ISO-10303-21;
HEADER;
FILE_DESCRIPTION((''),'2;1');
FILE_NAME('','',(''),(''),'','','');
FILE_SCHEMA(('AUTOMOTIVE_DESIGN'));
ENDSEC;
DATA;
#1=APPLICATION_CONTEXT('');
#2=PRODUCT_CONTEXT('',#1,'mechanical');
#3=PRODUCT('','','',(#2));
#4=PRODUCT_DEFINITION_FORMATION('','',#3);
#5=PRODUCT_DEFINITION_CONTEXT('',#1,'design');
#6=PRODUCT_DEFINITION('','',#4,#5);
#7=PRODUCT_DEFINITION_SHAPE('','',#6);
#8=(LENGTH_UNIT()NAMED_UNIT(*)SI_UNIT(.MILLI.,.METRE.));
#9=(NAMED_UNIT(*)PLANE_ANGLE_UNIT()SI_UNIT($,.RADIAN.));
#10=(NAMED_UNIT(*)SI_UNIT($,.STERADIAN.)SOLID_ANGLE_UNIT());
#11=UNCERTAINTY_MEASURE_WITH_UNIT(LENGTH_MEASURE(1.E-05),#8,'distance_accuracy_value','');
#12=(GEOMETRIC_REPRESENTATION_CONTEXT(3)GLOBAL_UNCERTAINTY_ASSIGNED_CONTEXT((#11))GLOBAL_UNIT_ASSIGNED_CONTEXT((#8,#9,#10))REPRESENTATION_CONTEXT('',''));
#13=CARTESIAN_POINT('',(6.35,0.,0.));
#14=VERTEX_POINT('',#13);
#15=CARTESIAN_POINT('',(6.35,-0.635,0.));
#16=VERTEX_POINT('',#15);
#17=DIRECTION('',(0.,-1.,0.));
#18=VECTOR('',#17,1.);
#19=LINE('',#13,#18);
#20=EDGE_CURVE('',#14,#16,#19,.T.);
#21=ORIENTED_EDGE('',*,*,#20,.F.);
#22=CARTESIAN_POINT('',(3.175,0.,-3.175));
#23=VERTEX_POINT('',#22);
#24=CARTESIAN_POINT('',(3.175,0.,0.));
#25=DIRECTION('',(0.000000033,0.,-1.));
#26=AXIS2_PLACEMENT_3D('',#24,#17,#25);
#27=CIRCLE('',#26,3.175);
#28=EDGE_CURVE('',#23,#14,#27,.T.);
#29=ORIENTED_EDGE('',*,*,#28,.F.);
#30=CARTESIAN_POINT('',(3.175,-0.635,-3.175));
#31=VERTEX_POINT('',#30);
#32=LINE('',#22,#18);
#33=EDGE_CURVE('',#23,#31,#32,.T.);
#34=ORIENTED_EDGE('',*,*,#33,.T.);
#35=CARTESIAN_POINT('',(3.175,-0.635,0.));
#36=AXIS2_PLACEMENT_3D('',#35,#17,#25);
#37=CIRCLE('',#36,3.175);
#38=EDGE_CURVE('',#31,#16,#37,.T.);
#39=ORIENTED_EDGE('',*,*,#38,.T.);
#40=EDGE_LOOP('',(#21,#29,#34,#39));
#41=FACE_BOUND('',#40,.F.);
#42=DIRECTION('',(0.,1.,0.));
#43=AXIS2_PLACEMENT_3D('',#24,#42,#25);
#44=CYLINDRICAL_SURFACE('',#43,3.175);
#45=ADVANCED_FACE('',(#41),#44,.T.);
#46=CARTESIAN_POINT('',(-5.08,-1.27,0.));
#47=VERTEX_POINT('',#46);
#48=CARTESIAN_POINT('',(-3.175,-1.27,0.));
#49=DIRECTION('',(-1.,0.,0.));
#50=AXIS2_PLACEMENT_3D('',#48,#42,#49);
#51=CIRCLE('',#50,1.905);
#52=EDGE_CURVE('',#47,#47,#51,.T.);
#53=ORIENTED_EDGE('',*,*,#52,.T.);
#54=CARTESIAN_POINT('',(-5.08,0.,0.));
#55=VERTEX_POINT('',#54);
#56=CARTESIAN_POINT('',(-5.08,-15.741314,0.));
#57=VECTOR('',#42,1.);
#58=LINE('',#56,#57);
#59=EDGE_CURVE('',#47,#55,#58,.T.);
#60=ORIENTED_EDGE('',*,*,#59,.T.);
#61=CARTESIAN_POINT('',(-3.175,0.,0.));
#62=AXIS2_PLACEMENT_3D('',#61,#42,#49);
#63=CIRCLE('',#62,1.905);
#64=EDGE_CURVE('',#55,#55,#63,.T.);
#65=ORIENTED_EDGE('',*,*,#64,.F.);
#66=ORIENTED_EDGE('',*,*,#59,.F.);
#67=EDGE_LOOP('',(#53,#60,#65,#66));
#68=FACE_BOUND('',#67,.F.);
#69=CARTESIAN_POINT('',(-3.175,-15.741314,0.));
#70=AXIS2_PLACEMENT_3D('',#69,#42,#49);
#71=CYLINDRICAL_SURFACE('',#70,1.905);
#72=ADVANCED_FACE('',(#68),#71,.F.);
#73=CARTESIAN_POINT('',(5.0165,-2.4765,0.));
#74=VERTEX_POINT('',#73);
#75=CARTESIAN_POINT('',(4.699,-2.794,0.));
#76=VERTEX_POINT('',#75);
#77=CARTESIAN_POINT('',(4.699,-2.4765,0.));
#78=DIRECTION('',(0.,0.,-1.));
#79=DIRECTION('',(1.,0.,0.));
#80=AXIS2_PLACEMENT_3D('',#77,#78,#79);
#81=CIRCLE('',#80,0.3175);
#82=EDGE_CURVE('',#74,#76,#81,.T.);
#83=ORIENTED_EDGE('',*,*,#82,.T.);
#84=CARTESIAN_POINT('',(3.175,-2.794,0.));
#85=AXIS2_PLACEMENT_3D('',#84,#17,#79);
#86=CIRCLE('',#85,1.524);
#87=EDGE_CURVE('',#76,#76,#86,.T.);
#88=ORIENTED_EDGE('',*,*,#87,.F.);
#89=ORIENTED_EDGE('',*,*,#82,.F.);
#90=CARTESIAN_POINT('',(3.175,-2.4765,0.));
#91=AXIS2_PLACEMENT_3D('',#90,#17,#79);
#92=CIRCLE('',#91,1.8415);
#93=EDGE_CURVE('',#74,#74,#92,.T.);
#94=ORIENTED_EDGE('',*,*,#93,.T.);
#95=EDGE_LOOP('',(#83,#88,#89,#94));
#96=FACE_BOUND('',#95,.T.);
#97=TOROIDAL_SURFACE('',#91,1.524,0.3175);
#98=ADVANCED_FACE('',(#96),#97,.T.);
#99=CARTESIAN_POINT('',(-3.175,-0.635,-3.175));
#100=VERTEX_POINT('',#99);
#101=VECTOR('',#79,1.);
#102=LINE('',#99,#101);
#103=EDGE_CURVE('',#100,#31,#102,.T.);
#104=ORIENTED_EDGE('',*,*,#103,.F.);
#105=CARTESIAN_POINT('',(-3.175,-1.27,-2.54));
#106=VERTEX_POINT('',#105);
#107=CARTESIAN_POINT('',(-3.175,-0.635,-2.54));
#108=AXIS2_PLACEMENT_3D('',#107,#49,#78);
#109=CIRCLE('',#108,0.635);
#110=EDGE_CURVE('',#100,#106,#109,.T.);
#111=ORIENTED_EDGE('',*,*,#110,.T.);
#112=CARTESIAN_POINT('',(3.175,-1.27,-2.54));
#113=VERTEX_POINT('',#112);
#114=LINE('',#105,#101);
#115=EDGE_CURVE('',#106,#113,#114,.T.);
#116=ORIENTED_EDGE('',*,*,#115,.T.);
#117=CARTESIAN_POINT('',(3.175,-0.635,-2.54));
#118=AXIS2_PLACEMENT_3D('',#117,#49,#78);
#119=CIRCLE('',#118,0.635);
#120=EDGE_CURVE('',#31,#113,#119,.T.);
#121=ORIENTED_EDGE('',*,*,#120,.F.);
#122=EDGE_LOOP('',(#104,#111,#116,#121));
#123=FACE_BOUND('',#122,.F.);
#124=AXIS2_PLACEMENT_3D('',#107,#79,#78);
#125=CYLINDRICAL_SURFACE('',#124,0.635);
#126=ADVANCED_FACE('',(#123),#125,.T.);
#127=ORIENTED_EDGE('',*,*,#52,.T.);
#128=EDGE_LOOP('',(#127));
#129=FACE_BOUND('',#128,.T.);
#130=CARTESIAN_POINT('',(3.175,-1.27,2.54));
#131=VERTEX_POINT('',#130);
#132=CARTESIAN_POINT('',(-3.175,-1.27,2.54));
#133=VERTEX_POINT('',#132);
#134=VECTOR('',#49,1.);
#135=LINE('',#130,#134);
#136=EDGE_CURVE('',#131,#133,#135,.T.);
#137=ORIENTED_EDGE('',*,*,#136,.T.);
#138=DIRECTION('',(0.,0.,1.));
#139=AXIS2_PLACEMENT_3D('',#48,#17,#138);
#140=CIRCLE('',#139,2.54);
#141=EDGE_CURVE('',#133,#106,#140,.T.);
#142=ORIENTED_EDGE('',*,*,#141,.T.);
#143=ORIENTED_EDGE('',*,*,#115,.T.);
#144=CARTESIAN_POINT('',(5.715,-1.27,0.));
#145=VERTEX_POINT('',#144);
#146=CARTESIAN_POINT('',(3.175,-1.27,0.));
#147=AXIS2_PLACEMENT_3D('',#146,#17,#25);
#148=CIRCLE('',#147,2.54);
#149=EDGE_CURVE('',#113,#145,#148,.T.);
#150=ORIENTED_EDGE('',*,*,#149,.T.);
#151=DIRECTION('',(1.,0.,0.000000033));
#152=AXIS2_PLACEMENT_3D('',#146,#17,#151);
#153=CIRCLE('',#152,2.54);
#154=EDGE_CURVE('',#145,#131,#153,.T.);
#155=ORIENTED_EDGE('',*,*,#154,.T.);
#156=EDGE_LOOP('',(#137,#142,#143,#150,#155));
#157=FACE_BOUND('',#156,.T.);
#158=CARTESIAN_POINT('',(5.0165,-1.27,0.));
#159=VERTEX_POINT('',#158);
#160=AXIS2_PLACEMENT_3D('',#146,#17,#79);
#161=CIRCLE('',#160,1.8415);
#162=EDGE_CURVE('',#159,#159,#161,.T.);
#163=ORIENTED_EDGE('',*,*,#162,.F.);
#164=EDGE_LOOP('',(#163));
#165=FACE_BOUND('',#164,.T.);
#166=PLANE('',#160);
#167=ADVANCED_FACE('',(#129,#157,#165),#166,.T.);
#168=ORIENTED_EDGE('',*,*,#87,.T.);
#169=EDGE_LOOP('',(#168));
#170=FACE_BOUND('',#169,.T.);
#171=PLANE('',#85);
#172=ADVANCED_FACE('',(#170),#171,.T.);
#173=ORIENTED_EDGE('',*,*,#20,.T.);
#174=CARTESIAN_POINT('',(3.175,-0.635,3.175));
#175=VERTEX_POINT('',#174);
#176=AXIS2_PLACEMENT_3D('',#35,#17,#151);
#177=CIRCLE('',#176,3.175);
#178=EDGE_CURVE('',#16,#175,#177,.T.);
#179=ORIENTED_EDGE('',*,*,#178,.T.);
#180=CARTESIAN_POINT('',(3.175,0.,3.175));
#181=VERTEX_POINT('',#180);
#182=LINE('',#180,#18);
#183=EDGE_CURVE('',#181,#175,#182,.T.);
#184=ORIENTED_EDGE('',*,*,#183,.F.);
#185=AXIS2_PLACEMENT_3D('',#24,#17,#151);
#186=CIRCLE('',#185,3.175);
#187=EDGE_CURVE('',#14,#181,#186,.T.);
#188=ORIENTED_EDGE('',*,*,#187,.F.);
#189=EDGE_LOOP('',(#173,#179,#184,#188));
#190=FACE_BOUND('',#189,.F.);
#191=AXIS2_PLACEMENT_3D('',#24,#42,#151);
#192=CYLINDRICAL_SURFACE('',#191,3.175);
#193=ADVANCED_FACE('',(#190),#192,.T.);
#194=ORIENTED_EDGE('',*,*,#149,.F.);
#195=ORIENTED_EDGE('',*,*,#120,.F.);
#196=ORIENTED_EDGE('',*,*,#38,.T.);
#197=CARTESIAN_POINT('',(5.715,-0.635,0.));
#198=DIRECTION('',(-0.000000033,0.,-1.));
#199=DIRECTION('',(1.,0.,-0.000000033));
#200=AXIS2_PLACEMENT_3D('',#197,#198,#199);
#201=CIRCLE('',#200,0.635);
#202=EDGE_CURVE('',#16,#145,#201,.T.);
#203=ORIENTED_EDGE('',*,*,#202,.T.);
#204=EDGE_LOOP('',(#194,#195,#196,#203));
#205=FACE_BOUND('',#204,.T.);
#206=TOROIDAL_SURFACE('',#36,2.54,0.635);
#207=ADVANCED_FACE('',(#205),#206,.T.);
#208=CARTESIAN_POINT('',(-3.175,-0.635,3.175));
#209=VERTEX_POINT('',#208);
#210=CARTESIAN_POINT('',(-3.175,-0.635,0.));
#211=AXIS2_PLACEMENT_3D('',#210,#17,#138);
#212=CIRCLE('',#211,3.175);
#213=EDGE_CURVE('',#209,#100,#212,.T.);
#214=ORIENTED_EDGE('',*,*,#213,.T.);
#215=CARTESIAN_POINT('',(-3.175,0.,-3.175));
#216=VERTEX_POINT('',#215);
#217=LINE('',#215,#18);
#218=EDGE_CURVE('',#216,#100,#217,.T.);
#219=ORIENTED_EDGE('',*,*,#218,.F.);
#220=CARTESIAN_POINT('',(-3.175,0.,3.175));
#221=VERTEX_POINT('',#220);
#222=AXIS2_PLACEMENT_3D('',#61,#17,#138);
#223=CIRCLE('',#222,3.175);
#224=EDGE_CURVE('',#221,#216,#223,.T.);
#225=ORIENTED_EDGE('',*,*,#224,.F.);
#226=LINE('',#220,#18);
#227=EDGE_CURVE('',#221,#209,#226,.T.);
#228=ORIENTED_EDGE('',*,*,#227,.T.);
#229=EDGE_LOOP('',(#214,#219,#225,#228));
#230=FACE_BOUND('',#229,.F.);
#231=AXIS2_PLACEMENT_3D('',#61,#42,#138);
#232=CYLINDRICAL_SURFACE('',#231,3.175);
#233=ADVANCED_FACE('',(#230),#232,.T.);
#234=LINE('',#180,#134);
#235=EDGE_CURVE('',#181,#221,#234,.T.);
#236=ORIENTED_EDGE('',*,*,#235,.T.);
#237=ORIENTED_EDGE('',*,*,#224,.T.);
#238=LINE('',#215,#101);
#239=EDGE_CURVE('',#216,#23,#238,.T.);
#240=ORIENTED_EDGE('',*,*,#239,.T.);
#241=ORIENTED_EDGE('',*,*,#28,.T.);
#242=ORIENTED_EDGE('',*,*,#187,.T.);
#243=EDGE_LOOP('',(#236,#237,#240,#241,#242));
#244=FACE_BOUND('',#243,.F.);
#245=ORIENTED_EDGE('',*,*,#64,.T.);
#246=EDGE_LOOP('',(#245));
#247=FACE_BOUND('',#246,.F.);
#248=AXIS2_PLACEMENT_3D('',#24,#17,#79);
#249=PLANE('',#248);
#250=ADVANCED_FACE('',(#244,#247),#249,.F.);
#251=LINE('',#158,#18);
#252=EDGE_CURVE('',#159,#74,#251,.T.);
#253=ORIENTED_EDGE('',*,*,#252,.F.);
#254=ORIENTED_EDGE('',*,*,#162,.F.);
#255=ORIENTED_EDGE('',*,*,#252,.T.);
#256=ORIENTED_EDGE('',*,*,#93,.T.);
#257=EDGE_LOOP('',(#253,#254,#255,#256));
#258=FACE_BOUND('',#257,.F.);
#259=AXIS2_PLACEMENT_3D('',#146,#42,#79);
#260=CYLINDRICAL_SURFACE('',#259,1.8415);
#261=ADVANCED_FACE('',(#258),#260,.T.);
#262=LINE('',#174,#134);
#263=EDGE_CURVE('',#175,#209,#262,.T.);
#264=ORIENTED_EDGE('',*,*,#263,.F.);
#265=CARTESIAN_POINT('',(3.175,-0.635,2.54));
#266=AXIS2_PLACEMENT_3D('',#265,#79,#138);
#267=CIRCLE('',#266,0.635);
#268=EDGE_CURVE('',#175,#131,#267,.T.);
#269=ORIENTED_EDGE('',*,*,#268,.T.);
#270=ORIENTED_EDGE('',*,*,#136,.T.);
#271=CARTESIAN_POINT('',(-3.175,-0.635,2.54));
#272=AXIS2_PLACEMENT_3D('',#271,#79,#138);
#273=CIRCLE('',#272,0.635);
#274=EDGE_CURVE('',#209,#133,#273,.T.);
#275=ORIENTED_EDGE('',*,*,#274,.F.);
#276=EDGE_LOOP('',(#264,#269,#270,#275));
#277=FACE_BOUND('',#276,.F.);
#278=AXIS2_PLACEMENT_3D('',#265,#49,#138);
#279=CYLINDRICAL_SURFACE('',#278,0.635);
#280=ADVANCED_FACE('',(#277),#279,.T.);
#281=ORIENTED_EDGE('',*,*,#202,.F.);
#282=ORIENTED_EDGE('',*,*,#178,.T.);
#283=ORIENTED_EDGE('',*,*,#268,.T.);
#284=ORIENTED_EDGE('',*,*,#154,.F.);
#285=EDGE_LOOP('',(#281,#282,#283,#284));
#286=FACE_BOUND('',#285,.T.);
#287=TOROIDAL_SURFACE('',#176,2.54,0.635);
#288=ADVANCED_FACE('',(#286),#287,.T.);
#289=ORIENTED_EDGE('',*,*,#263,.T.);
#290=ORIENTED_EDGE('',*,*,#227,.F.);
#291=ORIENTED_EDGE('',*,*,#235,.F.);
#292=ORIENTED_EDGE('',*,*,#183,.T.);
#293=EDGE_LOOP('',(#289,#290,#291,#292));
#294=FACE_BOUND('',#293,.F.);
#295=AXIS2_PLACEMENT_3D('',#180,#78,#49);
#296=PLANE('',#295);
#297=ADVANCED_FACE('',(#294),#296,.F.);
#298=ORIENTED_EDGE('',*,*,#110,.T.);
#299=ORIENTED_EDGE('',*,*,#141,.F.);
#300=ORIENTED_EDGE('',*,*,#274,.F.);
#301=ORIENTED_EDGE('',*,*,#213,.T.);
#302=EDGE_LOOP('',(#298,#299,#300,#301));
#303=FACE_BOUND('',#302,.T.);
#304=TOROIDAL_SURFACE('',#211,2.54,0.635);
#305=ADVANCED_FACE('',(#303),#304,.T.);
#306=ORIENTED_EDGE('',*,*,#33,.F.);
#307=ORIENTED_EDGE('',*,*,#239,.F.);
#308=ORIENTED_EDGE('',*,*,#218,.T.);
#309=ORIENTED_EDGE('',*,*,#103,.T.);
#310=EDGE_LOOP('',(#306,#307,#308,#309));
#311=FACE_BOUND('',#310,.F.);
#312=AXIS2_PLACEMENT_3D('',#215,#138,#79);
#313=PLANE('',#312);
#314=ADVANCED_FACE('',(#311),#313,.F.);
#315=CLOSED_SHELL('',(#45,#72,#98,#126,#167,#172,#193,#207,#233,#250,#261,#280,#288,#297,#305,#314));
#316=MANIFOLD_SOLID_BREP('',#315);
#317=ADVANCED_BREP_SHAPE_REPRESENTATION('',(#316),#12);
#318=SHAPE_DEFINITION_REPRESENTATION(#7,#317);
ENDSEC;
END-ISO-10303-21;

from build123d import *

# Parameters (mm, degrees)
F1_DEPTH = 1.27
F2_R     = 0.635
F4_R     = 1.8415
F5_DEPTH = 1.524
F7_D     = 3.81
F8_R     = 0.3175


with BuildPart() as f1:
    # F0 (on Front) → F1 (new body)
    with BuildSketch(Plane.XZ):
        with BuildLine():
            ThreePointArc((3.175, 3.175), (0.929936, 2.245064), (0, 0))
            ThreePointArc((0, 0), (0.929936, -2.245064), (3.175, -3.175))
            ThreePointArc((3.175, -3.175), (5.420064, -2.245064), (6.35, 0))
            ThreePointArc((6.35, 0), (5.420064, 2.245064), (3.175, 3.175))
        make_face()
        with BuildLine():
            ThreePointArc((3.175, -3.175), (0.929936, -2.245064), (0, 0))
            ThreePointArc((0, 0), (-0.929936, -2.245064), (-3.175, -3.175))
            Line((-3.175, -3.175), (3.175, -3.175))
        make_face()
        with BuildLine():
            ThreePointArc((-3.175, -3.175), (-0.929936, -2.245064), (0, 0))
            ThreePointArc((0, 0), (-0.929936, 2.245064), (-3.175, 3.175))
            ThreePointArc((-3.175, 3.175), (-6.35, 0), (-3.175, -3.175))
        make_face()
        with BuildLine():
            ThreePointArc((-3.175, 3.175), (-0.929936, 2.245064), (0, 0))
            ThreePointArc((0, 0), (0.929936, 2.245064), (3.175, 3.175))
            Line((3.175, 3.175), (-3.175, 3.175))
        make_face()
    extrude(amount=F1_DEPTH)

    # F2
    f2_edges = [f1.edges().sort_by_distance(p)[0] for p in [
        (0, -1.27, 3.175),
        (-6.35, -1.27, 0),
        (6.35, -1.27, 0),
        (0, -1.27, -3.175),
    ]]
    fillet(f2_edges, radius=F2_R)

    # F4 (on face) → F5 (join)
    with BuildSketch(Plane.XZ.offset(1.27)):
        with Locations((3.175, 0)):
            Circle(F4_R)
    extrude(amount=F5_DEPTH)

    # F7 (through all)
    with Locations(Plane.XZ.offset(1.27)):
        with Locations((-3.175, 0)):
            Hole(F7_D / 2)

    # F8
    f8_edges = [f1.edges().sort_by_distance(p)[0] for p in [
        (1.3335, -2.794, 0),
    ]]
    fillet(f8_edges, radius=F8_R)


solid = f1.part
